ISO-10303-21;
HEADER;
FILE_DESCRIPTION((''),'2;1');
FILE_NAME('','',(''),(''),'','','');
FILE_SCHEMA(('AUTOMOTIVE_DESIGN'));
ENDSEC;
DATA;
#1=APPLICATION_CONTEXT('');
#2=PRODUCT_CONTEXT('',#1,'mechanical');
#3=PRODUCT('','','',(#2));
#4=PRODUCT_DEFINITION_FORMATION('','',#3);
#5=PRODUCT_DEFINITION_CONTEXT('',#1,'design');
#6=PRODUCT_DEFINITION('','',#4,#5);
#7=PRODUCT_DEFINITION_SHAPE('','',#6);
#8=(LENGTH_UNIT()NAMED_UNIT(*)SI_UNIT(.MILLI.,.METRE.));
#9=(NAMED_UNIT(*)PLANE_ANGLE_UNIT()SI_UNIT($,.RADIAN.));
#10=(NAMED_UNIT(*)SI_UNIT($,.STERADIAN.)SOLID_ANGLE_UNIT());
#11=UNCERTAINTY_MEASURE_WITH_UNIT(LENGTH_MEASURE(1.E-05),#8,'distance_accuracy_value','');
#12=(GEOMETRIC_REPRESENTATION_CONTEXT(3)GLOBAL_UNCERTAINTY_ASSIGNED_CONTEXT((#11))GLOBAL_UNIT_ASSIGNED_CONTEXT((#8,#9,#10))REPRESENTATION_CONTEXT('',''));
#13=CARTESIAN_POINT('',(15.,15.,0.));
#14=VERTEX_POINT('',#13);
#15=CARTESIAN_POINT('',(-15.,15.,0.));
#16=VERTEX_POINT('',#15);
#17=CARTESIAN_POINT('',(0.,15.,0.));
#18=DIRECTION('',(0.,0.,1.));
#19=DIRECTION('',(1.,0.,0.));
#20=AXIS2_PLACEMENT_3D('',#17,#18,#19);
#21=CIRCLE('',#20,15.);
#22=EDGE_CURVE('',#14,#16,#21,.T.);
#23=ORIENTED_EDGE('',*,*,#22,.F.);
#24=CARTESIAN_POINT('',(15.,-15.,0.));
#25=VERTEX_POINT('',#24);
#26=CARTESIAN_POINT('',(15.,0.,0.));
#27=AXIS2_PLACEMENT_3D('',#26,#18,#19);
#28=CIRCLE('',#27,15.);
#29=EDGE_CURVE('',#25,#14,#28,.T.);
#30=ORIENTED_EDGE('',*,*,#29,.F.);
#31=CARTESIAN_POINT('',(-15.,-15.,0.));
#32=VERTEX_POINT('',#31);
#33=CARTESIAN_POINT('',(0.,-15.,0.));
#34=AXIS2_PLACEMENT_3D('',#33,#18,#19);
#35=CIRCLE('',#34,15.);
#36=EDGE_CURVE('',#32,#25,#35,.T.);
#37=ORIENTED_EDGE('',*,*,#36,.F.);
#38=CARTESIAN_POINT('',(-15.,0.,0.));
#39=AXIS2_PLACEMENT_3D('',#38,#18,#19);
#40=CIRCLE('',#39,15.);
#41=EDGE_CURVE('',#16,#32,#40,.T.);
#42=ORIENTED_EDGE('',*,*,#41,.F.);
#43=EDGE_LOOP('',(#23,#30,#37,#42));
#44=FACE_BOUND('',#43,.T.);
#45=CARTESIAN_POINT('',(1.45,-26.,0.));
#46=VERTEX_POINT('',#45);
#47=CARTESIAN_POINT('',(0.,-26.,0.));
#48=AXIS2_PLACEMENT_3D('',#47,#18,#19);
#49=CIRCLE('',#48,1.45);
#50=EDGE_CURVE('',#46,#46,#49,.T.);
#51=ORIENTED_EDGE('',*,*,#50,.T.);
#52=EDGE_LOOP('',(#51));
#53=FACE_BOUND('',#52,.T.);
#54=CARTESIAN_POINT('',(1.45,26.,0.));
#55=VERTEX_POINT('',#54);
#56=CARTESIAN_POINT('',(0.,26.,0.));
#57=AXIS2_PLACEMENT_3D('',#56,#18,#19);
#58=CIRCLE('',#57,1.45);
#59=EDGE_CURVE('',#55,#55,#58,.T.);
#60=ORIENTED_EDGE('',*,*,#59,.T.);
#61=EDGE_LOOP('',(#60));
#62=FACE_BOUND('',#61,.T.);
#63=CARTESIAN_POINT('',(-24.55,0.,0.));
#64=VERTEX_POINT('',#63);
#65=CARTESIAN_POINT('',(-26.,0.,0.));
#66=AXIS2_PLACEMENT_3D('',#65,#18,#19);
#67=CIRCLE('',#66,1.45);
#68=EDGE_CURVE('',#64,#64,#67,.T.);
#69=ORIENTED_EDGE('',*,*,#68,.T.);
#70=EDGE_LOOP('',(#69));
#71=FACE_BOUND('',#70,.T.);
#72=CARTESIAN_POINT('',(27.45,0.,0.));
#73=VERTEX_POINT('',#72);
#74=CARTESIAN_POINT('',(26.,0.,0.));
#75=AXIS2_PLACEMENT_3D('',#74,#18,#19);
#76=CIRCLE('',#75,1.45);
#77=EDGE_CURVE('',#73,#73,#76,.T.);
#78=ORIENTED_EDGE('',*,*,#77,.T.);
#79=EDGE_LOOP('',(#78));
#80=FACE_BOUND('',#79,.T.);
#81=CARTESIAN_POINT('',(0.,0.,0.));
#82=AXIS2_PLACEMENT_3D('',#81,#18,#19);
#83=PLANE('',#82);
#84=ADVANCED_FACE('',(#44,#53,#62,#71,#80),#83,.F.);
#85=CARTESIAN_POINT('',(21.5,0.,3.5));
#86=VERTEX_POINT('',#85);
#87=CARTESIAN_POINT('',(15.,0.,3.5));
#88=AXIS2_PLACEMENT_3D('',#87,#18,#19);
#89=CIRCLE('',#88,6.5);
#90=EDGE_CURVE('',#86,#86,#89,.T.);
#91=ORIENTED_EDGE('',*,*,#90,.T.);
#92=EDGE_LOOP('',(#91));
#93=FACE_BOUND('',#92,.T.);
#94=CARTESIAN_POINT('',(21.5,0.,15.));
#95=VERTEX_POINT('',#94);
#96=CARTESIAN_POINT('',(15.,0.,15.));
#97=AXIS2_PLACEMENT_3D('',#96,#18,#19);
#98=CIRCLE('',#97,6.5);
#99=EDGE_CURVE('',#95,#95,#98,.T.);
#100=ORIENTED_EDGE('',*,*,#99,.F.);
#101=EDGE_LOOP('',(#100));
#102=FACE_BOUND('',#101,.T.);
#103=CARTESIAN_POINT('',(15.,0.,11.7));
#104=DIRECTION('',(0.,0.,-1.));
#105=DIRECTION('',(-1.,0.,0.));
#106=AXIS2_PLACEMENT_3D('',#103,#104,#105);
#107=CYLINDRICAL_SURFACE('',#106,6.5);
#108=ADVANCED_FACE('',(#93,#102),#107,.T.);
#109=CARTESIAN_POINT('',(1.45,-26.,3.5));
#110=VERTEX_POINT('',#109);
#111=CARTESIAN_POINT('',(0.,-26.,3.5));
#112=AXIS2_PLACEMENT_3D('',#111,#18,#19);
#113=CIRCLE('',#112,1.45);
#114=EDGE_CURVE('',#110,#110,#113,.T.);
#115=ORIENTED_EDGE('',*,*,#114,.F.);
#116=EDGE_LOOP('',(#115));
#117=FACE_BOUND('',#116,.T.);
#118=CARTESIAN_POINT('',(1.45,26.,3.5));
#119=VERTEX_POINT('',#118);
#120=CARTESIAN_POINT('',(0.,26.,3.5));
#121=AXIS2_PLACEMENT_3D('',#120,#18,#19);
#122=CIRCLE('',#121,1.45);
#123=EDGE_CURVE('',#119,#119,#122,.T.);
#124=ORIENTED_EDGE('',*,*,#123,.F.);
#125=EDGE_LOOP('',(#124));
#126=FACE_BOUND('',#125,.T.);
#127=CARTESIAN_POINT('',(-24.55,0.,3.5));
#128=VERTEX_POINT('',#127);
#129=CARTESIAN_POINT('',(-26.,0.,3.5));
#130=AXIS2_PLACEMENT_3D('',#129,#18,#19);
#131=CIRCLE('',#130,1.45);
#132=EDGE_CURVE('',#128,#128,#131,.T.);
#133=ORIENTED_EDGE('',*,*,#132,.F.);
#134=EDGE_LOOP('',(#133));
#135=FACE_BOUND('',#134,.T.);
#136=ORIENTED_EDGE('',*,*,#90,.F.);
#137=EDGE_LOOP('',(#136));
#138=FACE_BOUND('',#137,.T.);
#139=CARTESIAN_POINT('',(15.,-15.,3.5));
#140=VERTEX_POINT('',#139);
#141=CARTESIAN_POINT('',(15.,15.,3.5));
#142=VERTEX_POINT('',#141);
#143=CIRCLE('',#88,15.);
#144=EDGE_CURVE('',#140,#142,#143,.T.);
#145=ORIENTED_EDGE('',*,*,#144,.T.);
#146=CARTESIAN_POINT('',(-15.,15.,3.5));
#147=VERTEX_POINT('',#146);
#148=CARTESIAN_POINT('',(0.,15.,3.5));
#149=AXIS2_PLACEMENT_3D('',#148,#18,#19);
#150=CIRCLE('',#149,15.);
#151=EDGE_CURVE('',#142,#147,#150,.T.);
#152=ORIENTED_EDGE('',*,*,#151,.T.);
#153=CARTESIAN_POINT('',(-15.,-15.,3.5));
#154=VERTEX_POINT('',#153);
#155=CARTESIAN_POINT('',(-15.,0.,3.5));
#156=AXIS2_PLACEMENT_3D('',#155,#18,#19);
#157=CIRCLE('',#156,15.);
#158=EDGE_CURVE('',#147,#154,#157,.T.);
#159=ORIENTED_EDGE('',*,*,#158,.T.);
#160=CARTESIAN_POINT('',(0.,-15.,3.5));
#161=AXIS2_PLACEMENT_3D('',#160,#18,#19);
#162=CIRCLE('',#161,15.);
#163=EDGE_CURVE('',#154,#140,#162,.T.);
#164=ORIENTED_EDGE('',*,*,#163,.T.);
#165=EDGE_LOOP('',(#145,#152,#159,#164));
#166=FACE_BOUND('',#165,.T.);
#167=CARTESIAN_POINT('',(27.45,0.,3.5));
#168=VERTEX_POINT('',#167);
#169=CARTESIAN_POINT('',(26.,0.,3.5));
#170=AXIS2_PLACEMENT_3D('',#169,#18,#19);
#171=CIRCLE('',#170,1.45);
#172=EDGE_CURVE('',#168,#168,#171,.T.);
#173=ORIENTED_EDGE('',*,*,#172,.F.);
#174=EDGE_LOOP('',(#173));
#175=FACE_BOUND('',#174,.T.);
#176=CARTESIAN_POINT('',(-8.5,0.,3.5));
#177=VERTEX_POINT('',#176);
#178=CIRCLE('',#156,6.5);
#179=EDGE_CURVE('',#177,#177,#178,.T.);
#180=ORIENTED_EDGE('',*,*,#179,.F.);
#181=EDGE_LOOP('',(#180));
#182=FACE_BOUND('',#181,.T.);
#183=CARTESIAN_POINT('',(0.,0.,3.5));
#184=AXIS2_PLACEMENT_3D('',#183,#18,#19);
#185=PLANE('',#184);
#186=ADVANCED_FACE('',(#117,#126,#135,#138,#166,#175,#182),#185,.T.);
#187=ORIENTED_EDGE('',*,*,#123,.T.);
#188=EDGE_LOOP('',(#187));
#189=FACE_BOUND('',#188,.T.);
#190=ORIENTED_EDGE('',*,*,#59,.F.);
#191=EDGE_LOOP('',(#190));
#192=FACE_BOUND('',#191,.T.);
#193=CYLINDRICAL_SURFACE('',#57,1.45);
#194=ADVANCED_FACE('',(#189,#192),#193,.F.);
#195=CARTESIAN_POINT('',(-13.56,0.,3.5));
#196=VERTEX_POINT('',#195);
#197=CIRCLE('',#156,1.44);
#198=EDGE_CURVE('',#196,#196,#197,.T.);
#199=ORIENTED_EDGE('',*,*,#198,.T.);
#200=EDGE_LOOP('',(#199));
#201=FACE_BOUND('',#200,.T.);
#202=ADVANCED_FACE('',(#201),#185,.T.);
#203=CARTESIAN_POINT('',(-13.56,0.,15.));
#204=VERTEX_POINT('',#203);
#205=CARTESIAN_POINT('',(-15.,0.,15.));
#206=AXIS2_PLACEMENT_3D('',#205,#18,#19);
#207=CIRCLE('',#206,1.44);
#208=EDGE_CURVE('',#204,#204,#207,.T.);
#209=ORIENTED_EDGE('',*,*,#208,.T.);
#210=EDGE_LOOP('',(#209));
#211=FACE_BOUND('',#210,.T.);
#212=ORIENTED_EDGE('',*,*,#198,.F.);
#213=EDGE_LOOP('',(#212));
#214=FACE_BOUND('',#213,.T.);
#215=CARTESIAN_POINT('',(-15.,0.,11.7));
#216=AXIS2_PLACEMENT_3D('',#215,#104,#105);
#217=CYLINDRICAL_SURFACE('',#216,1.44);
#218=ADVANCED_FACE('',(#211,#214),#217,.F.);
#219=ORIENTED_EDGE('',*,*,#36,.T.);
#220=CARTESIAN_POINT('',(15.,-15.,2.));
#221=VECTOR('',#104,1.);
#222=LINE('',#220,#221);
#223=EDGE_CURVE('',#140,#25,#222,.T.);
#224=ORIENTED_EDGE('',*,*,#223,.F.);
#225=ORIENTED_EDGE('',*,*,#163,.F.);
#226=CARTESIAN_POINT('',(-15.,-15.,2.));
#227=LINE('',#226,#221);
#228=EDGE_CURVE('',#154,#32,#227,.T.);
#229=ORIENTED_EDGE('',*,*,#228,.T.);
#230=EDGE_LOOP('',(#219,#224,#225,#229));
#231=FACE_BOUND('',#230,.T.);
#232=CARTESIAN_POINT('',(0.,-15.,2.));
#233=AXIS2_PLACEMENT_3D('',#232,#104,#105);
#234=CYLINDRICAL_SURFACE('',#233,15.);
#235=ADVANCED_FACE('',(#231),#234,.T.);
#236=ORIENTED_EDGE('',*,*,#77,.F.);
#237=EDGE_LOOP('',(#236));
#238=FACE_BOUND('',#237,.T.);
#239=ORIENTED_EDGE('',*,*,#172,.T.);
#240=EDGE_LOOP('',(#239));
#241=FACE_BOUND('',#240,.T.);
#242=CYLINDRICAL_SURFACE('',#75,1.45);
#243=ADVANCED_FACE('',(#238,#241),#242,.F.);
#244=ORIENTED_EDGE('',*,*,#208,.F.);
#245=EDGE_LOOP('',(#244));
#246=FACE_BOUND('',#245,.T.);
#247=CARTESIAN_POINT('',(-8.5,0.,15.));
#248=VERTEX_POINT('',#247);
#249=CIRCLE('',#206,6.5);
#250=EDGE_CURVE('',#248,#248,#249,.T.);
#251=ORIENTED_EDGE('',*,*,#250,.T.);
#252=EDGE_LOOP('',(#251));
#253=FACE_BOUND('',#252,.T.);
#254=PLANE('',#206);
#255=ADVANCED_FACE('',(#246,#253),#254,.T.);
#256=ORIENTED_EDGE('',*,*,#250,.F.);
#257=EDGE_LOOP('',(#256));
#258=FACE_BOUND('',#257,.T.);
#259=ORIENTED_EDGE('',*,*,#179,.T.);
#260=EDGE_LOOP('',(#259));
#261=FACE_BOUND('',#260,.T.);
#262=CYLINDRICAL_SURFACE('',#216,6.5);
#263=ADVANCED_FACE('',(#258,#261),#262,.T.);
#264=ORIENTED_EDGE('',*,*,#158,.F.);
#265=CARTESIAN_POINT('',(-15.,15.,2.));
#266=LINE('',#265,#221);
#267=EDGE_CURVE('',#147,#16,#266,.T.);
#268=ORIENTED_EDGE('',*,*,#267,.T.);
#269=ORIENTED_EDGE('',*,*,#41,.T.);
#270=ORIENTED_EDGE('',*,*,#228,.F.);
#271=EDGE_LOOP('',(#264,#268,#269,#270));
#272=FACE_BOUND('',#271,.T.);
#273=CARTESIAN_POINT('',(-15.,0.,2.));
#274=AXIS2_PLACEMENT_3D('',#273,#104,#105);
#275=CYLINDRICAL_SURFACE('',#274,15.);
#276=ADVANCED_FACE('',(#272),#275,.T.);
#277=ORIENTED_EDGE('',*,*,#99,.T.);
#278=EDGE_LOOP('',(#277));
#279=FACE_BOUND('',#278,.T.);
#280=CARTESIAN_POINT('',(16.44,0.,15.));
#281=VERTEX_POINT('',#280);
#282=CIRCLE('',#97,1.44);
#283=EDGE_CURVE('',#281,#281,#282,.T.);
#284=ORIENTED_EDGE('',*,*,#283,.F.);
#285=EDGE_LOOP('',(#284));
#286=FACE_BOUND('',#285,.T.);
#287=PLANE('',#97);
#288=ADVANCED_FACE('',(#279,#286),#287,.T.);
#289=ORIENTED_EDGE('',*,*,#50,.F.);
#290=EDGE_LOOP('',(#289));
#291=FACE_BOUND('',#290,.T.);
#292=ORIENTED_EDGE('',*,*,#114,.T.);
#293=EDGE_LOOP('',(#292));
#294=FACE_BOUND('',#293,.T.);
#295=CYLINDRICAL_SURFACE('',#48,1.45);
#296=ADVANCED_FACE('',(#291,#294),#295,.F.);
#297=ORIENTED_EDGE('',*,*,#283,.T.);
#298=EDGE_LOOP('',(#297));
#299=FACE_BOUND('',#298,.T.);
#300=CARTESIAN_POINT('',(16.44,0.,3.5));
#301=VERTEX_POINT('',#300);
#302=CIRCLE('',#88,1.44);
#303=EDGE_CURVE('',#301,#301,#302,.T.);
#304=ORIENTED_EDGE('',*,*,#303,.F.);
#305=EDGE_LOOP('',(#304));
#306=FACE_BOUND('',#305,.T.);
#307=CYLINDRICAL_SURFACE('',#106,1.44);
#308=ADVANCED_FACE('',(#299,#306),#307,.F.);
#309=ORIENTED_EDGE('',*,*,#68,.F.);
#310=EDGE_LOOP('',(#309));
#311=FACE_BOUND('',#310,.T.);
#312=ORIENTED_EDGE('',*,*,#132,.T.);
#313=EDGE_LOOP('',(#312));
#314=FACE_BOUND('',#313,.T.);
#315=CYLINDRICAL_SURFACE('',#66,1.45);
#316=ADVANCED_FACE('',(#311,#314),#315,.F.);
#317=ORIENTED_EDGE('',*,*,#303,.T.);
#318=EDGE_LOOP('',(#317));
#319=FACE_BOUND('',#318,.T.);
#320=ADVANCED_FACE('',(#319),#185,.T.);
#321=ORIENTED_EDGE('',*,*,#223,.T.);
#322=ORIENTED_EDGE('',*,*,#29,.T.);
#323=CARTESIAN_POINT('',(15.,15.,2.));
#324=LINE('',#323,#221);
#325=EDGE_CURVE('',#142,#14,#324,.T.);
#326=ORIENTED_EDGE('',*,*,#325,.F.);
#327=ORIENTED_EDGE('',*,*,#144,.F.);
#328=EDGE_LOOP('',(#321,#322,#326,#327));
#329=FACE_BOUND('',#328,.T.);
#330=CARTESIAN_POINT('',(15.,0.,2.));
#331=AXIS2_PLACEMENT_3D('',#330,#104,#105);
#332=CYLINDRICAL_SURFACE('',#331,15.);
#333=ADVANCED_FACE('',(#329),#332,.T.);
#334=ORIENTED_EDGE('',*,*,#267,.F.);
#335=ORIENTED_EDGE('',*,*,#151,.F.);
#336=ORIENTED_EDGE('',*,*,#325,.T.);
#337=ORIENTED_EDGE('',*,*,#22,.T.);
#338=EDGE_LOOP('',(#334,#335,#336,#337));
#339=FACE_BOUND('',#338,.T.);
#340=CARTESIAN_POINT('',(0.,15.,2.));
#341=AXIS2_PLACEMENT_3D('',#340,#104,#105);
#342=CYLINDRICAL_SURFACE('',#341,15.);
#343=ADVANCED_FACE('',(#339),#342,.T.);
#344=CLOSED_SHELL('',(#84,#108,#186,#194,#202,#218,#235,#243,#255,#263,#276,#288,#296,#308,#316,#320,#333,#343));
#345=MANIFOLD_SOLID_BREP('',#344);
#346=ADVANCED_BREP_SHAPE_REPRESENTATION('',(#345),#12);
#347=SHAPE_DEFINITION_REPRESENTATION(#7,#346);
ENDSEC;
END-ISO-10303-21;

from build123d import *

# Parameters (mm, degrees)
EXTRUDE_9_DEPTH       = 2
SKETCH_5_R            = 6.5
SKETCH_5_R_2          = 1.44
EXTRUDE_11_DEPTH      = 9.7
EXTRUDE_12_DEPTH      = 3.5
SKETCH_5_4_R          = 6.5
SKETCH_5_4_R_2        = 1.44
EXTRUDE_13_DEPTH      = 10
EXTRUDE_17_DEPTH      = 10
EXTRUDE_17_DEPTH_BACK = 2
SKETCH_5_8_R          = 6.5
SKETCH_5_8_R_2        = 1.44
SKETCH_5_11_R         = 6.5
SKETCH_5_11_R_2       = 1.44
EXTRUDE_18_DEPTH      = 13
EXTRUDE_19_DEPTH      = 3
SKETCH_6_R            = 1.45
CUT_EXTRUDE_1_DEPTH   = 3.5


with BuildPart() as part:
    # 草图2 → 凸台-拉伸9 (new body)
    with BuildSketch(Plane.XY):
        with BuildLine():
            ThreePointArc((15, 15), (0, 30), (-15, 15))
            ThreePointArc((-15, 15), (-30, 0), (-15, -15))
            ThreePointArc((-15, -15), (0, -30), (15, -15))
            ThreePointArc((15, -15), (30, 0), (15, 15))
        make_face()
    extrude(amount=EXTRUDE_9_DEPTH)

    # 草图5 → 凸台-拉伸11 (add)
    # profile 1 of 2: a face of its own
    with BuildSketch(Plane.XY.offset(2)):
        with Locations((-15, 0)):
            Circle(SKETCH_5_R)
        with Locations((-15, 0)):
            Circle(SKETCH_5_R_2, mode=Mode.SUBTRACT)
    # profile 2 of 2: a face of its own
    with BuildSketch(Plane.XY.offset(2)):
        with Locations((15, 0)):
            Circle(SKETCH_5_R)
        with Locations((15, 0)):
            Circle(SKETCH_5_R_2, mode=Mode.SUBTRACT)
    extrude(amount=EXTRUDE_11_DEPTH)

    # 草图2<17> → 凸台-拉伸12 (add)
    with BuildSketch(Plane.XY):
        with BuildLine():
            ThreePointArc((15, 15), (0, 30), (-15, 15))
            ThreePointArc((-15, 15), (-30, 0), (-15, -15))
            ThreePointArc((-15, -15), (0, -30), (15, -15))
            ThreePointArc((15, -15), (30, 0), (15, 15))
        make_face()
    extrude(amount=EXTRUDE_12_DEPTH)

    # 草图5<4> → 凸台-拉伸13 (add)
    # profile 1 of 2: a face of its own
    with BuildSketch(Plane.XY.offset(2)):
        with Locations((-15, 0)):
            Circle(SKETCH_5_4_R)
        with Locations((-15, 0)):
            Circle(SKETCH_5_4_R_2, mode=Mode.SUBTRACT)
    # profile 2 of 2: a face of its own
    with BuildSketch(Plane.XY.offset(2)):
        with Locations((15, 0)):
            Circle(SKETCH_5_4_R)
        with Locations((15, 0)):
            Circle(SKETCH_5_4_R_2, mode=Mode.SUBTRACT)
    extrude(amount=EXTRUDE_13_DEPTH)

    # 草图5<8> → 凸台-拉伸17 (add, two sides: drawn at the far end of the back side and taken through both)
    # profile 1 of 2: a face of its own
    with BuildSketch(Plane.XY.offset(2).offset(-EXTRUDE_17_DEPTH_BACK)):
        with Locations((-15, 0)):
            Circle(SKETCH_5_8_R)
        with Locations((-15, 0)):
            Circle(SKETCH_5_8_R_2, mode=Mode.SUBTRACT)
    # profile 2 of 2: a face of its own
    with BuildSketch(Plane.XY.offset(2).offset(-EXTRUDE_17_DEPTH_BACK)):
        with Locations((15, 0)):
            Circle(SKETCH_5_8_R)
        with Locations((15, 0)):
            Circle(SKETCH_5_8_R_2, mode=Mode.SUBTRACT)
    extrude(amount=EXTRUDE_17_DEPTH + EXTRUDE_17_DEPTH_BACK)

    # 草图5<11> → 凸台-拉伸18 (add)
    # profile 1 of 2: a face of its own
    with BuildSketch(Plane.XY.offset(2)):
        with Locations((-15, 0)):
            Circle(SKETCH_5_11_R)
        with Locations((-15, 0)):
            Circle(SKETCH_5_11_R_2, mode=Mode.SUBTRACT)
    # profile 2 of 2: a face of its own
    with BuildSketch(Plane.XY.offset(2)):
        with Locations((15, 0)):
            Circle(SKETCH_5_11_R)
        with Locations((15, 0)):
            Circle(SKETCH_5_11_R_2, mode=Mode.SUBTRACT)
    extrude(amount=EXTRUDE_18_DEPTH)

    # 草图2<18> → 凸台-拉伸19 (add)
    with BuildSketch(Plane.XY):
        with BuildLine():
            ThreePointArc((15, 15), (0, 30), (-15, 15))
            ThreePointArc((-15, 15), (-30, 0), (-15, -15))
            ThreePointArc((-15, -15), (0, -30), (15, -15))
            ThreePointArc((15, -15), (30, 0), (15, 15))
        make_face()
    extrude(amount=EXTRUDE_19_DEPTH)

    # 草图6 → 切除-拉伸1 (cut)
    with BuildSketch(Plane.XY.offset(3.5)):
        with Locations((0, 26)):
            Circle(SKETCH_6_R)
        with Locations((-26, 0)):
            Circle(SKETCH_6_R)
        with Locations((26, 0)):
            Circle(SKETCH_6_R)
        with Locations((0, -26)):
            Circle(SKETCH_6_R)
    extrude(amount=-CUT_EXTRUDE_1_DEPTH, mode=Mode.SUBTRACT)


solid = part.part
